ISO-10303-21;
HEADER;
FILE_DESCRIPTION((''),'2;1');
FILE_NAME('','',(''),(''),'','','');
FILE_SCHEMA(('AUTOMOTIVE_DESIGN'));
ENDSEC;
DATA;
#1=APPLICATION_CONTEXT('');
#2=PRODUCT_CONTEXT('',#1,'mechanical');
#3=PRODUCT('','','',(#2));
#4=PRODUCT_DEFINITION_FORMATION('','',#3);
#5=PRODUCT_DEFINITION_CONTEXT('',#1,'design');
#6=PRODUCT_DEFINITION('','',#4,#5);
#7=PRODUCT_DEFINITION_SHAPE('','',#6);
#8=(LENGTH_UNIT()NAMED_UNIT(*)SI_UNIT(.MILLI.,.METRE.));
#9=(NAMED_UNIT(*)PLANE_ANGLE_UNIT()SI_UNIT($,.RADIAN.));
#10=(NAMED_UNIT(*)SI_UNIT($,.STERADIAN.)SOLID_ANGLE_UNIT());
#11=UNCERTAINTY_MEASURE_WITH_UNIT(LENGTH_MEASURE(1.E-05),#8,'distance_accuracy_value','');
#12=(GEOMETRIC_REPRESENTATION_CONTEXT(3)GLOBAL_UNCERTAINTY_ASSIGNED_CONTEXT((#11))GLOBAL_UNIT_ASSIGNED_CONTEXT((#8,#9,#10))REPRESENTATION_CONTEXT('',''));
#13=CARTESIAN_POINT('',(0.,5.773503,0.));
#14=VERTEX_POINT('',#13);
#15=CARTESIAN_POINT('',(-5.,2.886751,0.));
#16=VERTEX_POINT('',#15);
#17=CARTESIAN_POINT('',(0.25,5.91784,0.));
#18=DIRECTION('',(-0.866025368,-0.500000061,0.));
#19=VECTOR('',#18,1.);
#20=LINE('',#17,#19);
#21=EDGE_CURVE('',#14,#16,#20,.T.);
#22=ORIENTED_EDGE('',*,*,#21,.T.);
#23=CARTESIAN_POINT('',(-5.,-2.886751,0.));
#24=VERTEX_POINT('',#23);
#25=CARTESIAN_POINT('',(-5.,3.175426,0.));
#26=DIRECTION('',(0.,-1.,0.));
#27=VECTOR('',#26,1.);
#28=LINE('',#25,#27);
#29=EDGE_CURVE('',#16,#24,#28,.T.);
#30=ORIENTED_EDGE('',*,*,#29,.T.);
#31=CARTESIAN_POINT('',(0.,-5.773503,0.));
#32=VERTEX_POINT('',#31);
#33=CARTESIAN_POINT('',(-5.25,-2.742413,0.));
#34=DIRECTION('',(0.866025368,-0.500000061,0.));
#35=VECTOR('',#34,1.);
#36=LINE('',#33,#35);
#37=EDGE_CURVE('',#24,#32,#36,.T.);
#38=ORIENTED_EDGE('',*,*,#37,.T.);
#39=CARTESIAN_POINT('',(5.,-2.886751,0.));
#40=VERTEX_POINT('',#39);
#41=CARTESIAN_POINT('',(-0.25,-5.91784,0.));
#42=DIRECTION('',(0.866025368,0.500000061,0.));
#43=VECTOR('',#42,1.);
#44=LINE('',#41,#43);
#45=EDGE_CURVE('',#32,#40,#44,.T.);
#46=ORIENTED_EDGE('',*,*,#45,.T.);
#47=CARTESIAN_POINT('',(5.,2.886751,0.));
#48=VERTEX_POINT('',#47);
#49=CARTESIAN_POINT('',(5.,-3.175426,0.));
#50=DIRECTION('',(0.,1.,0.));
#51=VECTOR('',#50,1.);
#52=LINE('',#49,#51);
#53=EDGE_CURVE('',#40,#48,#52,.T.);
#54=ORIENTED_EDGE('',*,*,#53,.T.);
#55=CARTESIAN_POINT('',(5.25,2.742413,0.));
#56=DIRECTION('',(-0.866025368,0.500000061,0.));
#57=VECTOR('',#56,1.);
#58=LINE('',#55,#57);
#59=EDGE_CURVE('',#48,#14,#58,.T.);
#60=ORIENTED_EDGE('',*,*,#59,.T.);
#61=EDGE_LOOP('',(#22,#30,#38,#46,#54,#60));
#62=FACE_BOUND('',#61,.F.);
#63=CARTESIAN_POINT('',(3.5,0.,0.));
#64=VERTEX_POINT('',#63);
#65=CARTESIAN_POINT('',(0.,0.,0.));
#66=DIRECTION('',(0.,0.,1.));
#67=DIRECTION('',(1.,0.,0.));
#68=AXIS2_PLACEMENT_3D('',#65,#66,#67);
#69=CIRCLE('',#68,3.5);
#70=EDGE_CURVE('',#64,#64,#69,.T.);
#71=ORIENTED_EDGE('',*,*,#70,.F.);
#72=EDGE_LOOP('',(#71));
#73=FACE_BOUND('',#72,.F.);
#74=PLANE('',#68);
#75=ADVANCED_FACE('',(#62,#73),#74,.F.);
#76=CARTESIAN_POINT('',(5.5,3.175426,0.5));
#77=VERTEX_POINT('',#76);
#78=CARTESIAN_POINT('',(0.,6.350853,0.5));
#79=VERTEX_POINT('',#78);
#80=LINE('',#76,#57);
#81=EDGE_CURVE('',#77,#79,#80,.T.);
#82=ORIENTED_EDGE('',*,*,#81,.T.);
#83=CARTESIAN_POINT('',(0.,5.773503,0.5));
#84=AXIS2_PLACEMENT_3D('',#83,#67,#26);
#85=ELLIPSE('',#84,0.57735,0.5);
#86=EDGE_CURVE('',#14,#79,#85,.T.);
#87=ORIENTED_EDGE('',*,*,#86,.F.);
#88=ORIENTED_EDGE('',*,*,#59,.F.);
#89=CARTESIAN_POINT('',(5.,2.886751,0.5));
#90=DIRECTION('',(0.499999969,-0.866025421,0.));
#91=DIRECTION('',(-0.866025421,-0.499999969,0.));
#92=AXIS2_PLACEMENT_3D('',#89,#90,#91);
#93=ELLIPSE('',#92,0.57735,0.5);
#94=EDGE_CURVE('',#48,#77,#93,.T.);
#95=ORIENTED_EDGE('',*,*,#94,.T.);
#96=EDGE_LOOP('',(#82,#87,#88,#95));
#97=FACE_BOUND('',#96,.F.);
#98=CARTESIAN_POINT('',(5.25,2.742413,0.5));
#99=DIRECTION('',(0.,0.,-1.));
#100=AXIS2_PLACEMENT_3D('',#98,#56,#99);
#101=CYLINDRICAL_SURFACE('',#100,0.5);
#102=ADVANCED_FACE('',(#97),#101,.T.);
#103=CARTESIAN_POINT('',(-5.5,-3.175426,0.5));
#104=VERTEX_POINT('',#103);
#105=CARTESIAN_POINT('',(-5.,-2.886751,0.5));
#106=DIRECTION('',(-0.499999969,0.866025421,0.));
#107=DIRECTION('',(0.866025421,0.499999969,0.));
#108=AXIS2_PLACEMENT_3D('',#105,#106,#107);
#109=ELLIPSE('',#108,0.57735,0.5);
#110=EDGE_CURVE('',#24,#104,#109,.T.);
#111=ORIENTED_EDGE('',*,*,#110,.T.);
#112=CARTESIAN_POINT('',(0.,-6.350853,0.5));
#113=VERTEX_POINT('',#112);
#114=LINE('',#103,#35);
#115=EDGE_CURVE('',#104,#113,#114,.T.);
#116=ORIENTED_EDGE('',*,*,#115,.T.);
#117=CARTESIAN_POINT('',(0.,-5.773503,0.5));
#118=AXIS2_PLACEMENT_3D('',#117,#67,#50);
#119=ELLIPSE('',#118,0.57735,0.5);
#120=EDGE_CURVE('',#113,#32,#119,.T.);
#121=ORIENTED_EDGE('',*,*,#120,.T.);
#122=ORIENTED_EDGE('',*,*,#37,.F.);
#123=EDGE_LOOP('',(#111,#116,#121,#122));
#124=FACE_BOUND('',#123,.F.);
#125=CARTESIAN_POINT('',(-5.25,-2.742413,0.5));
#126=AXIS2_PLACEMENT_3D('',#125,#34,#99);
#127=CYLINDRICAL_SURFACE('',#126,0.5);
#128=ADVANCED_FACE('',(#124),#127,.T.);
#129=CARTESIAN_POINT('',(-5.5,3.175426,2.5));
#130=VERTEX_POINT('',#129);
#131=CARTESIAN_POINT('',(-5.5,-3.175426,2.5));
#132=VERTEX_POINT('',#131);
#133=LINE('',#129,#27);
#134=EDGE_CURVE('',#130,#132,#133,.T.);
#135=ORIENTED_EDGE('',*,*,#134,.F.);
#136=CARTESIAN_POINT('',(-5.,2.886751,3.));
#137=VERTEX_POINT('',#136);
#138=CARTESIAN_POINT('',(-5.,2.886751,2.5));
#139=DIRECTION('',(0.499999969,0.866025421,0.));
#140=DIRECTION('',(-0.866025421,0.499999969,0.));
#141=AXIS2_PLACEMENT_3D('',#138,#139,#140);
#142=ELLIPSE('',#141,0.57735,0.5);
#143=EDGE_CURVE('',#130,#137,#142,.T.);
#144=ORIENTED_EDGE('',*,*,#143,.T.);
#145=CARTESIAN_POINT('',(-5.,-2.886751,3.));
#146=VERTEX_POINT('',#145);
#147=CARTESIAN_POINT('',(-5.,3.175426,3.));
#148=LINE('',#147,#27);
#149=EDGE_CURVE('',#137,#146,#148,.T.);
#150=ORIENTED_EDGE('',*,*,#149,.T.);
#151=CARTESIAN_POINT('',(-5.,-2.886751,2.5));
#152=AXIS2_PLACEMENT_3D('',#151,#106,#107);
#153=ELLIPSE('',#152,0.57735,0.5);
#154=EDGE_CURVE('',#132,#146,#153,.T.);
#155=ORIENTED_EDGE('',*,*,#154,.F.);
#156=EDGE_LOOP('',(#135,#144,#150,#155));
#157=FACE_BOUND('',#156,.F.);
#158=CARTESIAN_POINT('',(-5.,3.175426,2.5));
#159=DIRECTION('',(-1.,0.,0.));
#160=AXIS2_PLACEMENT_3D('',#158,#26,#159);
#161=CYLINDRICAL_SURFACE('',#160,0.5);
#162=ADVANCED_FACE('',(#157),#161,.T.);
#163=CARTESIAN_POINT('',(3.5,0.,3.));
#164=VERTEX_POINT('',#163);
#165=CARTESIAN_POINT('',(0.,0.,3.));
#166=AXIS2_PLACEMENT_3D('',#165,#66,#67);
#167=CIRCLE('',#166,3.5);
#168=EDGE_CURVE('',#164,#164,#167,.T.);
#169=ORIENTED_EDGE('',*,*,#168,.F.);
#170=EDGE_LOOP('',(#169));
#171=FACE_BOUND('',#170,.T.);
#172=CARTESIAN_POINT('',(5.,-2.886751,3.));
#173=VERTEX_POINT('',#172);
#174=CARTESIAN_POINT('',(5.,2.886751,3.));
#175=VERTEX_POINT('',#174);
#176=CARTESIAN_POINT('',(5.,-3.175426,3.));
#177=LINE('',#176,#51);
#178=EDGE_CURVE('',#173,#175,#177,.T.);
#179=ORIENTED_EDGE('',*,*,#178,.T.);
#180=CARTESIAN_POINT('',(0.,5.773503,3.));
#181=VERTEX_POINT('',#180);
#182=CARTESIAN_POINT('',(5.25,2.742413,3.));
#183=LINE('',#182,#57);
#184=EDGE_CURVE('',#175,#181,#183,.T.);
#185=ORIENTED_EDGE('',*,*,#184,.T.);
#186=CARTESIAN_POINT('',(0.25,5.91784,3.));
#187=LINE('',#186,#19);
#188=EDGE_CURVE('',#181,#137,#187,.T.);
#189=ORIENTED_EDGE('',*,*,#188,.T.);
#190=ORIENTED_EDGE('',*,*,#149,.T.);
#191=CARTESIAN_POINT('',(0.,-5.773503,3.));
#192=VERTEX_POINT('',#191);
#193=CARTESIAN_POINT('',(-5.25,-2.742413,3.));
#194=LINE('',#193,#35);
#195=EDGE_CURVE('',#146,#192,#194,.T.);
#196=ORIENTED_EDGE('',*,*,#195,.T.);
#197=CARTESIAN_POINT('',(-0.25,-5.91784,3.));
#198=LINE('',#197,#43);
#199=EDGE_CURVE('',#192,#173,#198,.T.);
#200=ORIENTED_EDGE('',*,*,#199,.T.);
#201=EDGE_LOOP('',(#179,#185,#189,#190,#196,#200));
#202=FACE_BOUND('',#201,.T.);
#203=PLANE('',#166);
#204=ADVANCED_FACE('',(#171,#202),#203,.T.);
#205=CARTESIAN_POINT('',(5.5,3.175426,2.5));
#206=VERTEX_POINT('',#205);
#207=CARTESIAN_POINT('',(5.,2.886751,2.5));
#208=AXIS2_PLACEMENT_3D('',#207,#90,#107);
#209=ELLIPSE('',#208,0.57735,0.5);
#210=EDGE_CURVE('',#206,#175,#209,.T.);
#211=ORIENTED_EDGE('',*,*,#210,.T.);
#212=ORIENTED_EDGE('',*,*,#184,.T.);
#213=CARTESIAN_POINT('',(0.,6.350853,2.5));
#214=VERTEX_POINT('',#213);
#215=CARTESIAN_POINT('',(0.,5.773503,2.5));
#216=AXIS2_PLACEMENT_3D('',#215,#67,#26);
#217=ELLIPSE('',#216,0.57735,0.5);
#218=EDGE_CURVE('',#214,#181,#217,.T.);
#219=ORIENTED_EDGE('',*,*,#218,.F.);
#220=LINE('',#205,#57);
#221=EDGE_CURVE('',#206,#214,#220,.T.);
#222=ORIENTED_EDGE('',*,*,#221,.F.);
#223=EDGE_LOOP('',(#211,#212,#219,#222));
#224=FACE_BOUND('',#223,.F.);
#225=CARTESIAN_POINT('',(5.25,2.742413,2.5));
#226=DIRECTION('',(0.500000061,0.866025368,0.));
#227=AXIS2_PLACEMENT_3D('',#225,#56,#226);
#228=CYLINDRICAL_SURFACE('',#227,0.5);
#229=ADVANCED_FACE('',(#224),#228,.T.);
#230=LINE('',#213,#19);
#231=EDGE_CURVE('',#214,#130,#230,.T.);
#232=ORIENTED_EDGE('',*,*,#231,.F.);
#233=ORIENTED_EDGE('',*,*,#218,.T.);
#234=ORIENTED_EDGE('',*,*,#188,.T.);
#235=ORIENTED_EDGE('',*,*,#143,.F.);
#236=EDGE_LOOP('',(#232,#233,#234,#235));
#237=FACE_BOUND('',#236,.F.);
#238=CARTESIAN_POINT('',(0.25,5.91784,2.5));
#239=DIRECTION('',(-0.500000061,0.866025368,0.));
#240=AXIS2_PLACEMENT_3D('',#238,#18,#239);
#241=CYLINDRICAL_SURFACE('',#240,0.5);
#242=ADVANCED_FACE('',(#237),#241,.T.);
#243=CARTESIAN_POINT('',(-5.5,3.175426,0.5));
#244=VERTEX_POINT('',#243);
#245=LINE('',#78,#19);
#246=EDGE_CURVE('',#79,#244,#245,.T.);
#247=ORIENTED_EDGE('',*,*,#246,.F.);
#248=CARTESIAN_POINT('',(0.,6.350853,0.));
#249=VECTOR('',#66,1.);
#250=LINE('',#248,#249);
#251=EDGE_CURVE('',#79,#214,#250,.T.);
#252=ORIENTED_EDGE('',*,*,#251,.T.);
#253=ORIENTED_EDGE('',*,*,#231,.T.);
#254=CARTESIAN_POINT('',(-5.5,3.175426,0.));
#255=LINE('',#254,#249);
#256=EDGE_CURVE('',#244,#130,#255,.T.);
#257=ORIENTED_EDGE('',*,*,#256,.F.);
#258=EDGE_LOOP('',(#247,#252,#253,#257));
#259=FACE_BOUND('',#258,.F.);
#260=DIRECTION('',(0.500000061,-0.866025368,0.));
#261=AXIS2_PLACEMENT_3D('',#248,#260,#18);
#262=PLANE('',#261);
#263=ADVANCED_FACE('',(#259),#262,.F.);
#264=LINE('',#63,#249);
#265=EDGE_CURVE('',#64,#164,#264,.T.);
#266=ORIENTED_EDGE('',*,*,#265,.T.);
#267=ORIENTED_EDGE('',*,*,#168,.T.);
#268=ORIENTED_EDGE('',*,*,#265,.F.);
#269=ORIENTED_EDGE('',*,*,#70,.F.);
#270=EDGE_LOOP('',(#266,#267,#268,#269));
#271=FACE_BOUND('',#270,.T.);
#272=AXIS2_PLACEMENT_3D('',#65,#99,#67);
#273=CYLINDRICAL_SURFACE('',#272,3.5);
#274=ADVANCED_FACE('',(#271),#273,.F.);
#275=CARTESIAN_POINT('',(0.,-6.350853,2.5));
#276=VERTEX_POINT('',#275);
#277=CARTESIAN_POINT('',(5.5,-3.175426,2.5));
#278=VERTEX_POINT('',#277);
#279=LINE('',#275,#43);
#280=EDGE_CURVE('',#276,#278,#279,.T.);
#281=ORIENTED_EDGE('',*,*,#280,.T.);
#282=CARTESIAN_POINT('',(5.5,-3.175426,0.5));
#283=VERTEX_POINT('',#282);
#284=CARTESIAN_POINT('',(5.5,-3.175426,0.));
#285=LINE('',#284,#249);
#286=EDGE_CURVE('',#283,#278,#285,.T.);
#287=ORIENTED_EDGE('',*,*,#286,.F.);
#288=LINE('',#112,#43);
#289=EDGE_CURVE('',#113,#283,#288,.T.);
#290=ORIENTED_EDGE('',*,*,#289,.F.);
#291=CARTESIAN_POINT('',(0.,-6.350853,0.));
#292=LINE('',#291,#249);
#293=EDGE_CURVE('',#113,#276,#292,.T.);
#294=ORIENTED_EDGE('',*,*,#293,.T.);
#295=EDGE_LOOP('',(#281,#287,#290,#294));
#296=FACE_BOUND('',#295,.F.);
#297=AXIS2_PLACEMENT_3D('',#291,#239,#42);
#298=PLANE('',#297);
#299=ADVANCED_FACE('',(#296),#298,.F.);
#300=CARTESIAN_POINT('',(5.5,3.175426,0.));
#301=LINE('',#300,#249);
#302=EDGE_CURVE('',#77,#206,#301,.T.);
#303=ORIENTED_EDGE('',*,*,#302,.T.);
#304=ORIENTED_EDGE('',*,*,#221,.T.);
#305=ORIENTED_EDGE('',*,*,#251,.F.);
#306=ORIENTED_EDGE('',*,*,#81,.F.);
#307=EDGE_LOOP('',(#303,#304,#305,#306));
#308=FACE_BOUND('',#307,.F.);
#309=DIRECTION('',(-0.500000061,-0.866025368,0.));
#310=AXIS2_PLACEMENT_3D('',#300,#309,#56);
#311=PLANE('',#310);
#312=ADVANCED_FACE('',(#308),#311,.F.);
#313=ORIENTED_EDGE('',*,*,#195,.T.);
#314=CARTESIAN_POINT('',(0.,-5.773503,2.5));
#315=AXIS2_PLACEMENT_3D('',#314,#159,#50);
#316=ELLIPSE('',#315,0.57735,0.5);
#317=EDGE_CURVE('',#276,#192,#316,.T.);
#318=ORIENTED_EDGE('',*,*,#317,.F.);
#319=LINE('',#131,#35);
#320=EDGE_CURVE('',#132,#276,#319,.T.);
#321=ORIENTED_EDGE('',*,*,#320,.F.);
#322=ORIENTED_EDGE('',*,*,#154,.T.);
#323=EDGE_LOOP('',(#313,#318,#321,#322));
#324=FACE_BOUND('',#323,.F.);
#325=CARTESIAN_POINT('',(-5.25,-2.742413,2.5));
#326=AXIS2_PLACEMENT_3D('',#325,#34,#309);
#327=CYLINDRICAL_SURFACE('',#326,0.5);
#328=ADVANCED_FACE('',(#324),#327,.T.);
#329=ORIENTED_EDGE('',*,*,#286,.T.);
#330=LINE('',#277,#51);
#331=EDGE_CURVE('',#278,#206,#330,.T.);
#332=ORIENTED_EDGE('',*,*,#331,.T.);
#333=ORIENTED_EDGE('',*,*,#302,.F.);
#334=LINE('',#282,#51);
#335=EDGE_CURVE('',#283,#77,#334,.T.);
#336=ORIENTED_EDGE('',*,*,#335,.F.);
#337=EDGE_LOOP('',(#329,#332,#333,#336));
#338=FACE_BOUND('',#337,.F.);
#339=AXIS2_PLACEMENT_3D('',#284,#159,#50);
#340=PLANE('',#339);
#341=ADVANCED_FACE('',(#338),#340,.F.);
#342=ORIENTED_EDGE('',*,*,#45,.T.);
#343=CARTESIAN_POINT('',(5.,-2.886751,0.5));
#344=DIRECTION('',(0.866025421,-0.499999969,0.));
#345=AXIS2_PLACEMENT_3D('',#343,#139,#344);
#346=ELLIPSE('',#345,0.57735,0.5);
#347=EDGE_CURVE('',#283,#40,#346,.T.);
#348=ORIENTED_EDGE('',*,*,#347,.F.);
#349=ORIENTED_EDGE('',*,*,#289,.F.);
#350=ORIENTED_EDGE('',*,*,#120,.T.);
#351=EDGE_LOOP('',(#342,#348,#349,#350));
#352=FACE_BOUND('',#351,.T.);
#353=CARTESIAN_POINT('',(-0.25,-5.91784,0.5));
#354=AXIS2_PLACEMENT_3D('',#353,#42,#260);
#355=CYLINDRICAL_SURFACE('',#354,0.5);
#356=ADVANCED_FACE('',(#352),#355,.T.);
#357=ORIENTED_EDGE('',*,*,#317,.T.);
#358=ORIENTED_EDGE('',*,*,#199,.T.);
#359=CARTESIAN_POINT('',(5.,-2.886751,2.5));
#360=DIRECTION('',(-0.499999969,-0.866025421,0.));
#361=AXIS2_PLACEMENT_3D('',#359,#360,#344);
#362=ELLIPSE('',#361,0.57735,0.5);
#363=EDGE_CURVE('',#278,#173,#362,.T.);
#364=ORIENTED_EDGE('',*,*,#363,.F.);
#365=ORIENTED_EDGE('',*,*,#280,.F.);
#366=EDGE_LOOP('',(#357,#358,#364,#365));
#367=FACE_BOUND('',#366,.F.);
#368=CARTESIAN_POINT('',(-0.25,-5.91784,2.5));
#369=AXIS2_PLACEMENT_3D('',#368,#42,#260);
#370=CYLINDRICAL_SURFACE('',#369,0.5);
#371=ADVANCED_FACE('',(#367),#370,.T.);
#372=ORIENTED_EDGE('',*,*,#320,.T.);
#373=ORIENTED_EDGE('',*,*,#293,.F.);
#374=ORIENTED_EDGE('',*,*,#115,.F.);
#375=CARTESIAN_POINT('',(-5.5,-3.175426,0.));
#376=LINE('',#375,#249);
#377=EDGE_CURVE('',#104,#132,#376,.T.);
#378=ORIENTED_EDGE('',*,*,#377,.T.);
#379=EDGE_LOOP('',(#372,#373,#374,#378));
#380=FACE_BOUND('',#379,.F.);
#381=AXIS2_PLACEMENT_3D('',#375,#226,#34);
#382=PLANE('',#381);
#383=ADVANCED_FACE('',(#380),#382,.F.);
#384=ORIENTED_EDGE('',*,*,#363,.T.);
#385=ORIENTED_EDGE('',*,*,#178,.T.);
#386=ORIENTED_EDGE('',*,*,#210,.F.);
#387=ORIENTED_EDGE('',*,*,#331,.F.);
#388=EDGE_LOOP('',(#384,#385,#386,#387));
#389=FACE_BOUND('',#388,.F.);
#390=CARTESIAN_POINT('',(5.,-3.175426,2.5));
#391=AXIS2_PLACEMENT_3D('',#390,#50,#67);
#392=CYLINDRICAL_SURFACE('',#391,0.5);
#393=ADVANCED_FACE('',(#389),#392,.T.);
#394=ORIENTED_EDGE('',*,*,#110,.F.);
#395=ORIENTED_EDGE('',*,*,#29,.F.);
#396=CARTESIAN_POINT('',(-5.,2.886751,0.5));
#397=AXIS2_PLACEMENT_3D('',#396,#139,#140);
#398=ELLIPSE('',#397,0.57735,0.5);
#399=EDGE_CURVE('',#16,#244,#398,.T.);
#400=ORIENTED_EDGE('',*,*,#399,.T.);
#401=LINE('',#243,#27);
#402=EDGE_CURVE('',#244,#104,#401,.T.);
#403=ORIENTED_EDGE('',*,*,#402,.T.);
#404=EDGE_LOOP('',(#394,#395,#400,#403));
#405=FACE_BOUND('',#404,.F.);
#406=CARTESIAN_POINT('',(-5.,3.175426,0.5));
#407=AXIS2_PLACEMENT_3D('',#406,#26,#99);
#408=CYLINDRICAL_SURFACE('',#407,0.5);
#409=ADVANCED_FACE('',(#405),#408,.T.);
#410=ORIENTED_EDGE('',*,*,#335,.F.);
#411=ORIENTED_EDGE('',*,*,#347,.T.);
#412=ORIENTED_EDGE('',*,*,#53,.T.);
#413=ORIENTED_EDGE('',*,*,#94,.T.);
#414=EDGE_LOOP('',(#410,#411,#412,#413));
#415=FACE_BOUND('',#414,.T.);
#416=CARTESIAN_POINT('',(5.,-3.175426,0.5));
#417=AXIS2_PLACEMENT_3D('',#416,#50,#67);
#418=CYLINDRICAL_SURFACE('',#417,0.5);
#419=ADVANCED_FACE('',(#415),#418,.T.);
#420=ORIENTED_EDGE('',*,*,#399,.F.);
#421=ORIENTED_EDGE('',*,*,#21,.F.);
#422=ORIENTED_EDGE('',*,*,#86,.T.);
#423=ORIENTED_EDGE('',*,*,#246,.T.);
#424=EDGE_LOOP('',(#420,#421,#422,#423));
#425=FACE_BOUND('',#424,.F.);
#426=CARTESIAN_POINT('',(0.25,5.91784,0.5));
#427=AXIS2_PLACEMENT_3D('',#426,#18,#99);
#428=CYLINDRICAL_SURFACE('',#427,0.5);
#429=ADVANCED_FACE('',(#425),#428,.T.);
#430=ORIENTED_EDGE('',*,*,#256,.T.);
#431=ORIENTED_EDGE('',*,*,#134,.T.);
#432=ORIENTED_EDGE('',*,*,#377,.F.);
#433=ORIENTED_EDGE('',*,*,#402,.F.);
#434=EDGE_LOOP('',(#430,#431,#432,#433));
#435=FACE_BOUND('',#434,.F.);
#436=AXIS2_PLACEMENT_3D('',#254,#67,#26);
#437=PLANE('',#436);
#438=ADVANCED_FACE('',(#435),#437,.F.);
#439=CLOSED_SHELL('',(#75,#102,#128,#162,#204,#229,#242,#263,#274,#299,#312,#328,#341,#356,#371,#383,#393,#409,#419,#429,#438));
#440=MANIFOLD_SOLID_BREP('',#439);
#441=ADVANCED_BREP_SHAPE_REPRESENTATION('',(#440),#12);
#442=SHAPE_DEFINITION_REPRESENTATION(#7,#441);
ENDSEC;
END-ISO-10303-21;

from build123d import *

# Parameters (mm, degrees)
F0_R     = 3.5
F1_DEPTH = 3
F2_R     = 0.5
F3_R     = 0.5


with BuildPart() as f1:
    # F0 (on Top) → F1 (new body)
    with BuildSketch(Plane.XY):
        Polygon((5.5, -3.175426), (5.5, 3.175426), (0, 6.350853), (-5.5, 3.175426), (-5.5, -3.175426), (0, -6.350853), align=None)
        Circle(F0_R, mode=Mode.SUBTRACT)
    extrude(amount=F1_DEPTH)

    # F2
    f2_edges = [f1.edges().sort_by_distance(p)[0] for p in [
        (2.75, -4.76314, 3),
        (-2.75, -4.76314, 3),
        (-2.75, 4.76314, 3),
        (-5.5, 0, 3),
        (5.5, 0, 3),
        (2.75, 4.76314, 3),
    ]]
    fillet(f2_edges, radius=F2_R)

    # F3
    f3_edges = [f1.edges().sort_by_distance(p)[0] for p in [
        (2.75, -4.76314, 0),
        (-2.75, -4.76314, 0),
        (-2.75, 4.76314, 0),
        (-5.5, 0, 0),
        (2.75, 4.76314, 0),
        (5.5, 0, 0),
    ]]
    fillet(f3_edges, radius=F3_R)


solid = f1.part
